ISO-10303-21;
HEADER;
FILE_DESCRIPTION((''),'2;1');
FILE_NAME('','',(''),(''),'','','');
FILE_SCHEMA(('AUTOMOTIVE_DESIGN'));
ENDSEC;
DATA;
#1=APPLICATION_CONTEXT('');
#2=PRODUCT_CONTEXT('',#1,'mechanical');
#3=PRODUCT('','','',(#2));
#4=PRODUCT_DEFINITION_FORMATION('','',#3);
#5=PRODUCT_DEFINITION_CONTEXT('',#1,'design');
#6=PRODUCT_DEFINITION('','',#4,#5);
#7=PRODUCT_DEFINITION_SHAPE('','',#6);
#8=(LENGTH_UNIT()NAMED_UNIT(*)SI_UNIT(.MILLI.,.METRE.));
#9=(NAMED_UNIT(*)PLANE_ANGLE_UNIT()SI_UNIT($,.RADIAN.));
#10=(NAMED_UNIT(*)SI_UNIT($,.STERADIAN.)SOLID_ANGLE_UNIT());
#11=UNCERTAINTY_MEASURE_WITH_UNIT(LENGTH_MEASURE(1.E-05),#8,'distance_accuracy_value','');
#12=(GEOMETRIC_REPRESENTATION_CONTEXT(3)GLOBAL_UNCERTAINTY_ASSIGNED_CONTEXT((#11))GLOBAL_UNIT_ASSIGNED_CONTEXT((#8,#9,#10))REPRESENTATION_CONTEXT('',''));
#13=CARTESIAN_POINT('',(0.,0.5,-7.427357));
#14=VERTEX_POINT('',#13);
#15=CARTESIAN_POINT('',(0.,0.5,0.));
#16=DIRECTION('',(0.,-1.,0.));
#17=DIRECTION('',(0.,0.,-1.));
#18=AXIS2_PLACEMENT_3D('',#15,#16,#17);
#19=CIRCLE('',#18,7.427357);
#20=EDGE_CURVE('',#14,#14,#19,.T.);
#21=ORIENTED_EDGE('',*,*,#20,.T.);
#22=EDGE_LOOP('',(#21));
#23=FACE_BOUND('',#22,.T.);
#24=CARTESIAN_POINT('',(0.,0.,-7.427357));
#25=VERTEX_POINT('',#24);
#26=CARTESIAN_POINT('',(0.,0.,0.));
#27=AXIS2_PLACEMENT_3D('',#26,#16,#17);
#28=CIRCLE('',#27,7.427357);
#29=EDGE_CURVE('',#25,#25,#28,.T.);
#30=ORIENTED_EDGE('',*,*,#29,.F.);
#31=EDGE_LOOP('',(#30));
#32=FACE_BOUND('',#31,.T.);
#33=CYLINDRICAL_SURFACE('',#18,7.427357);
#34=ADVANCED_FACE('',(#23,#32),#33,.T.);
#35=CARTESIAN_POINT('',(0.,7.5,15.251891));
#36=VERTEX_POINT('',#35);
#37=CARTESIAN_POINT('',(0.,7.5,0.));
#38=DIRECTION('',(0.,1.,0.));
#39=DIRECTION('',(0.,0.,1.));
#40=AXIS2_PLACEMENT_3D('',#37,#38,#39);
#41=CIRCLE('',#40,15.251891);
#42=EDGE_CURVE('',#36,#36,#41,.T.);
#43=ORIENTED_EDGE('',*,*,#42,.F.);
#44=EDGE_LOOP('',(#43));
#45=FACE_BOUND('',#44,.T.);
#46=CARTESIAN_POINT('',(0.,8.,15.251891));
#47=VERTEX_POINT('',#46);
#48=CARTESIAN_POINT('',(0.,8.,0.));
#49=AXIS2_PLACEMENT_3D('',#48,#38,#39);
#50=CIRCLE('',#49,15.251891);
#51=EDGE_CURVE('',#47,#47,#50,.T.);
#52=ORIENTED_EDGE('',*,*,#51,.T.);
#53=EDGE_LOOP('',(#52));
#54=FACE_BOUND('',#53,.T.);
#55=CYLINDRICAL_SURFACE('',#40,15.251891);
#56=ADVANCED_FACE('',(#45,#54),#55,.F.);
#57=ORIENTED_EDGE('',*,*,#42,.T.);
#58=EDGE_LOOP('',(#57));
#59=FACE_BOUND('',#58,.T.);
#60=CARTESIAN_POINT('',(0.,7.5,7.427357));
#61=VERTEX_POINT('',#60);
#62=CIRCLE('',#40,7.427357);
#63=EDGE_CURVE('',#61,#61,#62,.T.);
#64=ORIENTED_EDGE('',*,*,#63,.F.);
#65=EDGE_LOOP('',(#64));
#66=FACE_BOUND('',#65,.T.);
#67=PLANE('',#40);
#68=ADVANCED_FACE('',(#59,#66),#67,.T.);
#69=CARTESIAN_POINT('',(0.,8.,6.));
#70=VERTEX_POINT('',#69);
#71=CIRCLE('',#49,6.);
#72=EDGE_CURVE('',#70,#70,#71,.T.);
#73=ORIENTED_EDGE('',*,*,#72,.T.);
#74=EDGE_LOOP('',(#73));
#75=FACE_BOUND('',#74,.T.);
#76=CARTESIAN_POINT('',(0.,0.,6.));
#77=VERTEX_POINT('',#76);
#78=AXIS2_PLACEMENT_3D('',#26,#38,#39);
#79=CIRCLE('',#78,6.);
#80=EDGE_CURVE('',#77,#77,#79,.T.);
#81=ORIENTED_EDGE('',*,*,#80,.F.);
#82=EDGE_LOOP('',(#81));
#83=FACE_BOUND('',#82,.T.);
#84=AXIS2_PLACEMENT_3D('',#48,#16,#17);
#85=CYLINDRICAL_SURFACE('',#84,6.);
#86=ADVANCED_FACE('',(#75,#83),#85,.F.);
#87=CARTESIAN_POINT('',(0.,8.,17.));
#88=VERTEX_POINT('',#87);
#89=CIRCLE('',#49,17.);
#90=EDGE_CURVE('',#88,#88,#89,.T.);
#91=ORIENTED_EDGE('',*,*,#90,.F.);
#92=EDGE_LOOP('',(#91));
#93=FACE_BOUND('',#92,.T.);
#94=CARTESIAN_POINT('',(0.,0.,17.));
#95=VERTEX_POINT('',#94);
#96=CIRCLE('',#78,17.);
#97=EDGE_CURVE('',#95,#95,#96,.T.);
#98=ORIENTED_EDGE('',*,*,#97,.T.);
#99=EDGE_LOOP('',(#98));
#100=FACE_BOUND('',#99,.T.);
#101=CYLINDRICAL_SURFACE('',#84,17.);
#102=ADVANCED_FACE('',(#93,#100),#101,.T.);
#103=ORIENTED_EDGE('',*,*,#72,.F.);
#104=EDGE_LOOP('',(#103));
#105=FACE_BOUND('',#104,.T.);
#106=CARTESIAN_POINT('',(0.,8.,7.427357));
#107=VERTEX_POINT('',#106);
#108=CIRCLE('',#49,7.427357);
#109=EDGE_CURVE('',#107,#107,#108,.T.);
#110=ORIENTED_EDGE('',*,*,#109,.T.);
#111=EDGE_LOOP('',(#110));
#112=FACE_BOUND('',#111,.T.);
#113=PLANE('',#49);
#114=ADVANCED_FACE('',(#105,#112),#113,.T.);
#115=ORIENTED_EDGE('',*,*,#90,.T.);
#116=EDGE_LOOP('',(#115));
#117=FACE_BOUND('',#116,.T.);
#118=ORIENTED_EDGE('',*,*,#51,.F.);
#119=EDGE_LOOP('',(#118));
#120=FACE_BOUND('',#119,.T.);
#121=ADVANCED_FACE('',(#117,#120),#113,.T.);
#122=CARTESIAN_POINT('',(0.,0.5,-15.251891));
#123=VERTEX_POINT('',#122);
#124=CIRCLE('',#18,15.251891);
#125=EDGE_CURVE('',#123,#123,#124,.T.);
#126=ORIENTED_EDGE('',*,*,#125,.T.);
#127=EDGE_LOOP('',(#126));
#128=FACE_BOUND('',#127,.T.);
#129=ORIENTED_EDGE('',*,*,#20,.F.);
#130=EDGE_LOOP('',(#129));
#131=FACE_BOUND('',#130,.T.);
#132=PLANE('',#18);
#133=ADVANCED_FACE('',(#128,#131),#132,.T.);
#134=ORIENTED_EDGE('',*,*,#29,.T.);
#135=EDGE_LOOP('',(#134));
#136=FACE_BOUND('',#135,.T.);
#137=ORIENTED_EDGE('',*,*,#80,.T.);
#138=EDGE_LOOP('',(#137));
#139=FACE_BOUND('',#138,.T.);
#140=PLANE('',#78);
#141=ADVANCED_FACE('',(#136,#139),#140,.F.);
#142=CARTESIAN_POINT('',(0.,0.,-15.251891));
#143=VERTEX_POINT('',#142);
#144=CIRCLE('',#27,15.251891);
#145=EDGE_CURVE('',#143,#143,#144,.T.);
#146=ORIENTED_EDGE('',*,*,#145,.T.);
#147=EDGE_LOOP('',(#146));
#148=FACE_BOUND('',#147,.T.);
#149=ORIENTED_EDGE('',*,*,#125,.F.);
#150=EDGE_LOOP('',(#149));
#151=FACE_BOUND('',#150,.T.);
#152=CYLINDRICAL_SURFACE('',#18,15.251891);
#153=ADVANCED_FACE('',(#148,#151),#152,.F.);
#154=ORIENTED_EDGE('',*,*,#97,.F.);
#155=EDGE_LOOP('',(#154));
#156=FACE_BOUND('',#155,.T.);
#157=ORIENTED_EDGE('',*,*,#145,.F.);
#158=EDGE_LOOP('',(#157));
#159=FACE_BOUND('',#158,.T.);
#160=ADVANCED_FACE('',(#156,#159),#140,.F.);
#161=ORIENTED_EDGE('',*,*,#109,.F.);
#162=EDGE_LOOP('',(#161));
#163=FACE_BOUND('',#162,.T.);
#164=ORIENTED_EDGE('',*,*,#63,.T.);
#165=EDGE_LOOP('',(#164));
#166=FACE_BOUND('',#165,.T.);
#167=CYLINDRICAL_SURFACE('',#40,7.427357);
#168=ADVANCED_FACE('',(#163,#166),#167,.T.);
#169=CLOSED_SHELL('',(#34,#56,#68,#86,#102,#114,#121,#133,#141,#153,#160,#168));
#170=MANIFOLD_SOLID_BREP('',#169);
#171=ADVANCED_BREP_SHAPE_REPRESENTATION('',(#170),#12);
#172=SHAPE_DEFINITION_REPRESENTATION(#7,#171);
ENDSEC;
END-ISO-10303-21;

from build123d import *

# Parameters (mm, degrees)
SKETCH_1_R          = 17
SKETCH_1_R_2        = 6
EXTRUDE_1_DEPTH     = 8
SKETCH_2_R          = 15.251890777
SKETCH_2_R_2        = 7.427356703
CUT_EXTRUDE_2_DEPTH = 0.5
CUT_EXTRUDE_START   = -0.5
SKETCH_3_R          = 15.251890777
SKETCH_3_R_2        = 7.427356703
CUT_EXTRUDE_3_DEPTH = 0.5


with BuildPart() as part:
    # Эскиз1 → Вытянуть1 (new body)
    with BuildSketch(Plane(origin=(0, 0, 0), x_dir=(1, 0, 0), z_dir=(0, 1, 0))):
        with Locations(Location((0, 0, 0), (0, 0, 270))):
            Circle(SKETCH_1_R)
        with Locations(Location((0, 0, 0), (0, 0, 270))):
            Circle(SKETCH_1_R_2, mode=Mode.SUBTRACT)
    extrude(amount=EXTRUDE_1_DEPTH)

    # Эскиз2 → Вытянуть2 (cut)
    with BuildSketch(Plane(origin=(0, 8, 0), x_dir=(1, 0, 0), z_dir=(0, 1, 0))):
        with Locations(Location((0, 0, 0), (0, 0, 270))):
            Circle(SKETCH_2_R)
        with Locations(Location((0, 0, 0), (0, 0, 270))):
            Circle(SKETCH_2_R_2, mode=Mode.SUBTRACT)
    extrude(amount=-CUT_EXTRUDE_2_DEPTH, mode=Mode.SUBTRACT)

    # Эскиз3 → Вытянуть3 (cut)
    with BuildSketch(Plane.XZ.offset(CUT_EXTRUDE_START)):
        with Locations(Location((0, 0, 0), (0, 0, 90))):
            Circle(SKETCH_3_R)
        with Locations(Location((0, 0, 0), (0, 0, 90))):
            Circle(SKETCH_3_R_2, mode=Mode.SUBTRACT)
    extrude(amount=CUT_EXTRUDE_3_DEPTH, mode=Mode.SUBTRACT)


solid = part.part
